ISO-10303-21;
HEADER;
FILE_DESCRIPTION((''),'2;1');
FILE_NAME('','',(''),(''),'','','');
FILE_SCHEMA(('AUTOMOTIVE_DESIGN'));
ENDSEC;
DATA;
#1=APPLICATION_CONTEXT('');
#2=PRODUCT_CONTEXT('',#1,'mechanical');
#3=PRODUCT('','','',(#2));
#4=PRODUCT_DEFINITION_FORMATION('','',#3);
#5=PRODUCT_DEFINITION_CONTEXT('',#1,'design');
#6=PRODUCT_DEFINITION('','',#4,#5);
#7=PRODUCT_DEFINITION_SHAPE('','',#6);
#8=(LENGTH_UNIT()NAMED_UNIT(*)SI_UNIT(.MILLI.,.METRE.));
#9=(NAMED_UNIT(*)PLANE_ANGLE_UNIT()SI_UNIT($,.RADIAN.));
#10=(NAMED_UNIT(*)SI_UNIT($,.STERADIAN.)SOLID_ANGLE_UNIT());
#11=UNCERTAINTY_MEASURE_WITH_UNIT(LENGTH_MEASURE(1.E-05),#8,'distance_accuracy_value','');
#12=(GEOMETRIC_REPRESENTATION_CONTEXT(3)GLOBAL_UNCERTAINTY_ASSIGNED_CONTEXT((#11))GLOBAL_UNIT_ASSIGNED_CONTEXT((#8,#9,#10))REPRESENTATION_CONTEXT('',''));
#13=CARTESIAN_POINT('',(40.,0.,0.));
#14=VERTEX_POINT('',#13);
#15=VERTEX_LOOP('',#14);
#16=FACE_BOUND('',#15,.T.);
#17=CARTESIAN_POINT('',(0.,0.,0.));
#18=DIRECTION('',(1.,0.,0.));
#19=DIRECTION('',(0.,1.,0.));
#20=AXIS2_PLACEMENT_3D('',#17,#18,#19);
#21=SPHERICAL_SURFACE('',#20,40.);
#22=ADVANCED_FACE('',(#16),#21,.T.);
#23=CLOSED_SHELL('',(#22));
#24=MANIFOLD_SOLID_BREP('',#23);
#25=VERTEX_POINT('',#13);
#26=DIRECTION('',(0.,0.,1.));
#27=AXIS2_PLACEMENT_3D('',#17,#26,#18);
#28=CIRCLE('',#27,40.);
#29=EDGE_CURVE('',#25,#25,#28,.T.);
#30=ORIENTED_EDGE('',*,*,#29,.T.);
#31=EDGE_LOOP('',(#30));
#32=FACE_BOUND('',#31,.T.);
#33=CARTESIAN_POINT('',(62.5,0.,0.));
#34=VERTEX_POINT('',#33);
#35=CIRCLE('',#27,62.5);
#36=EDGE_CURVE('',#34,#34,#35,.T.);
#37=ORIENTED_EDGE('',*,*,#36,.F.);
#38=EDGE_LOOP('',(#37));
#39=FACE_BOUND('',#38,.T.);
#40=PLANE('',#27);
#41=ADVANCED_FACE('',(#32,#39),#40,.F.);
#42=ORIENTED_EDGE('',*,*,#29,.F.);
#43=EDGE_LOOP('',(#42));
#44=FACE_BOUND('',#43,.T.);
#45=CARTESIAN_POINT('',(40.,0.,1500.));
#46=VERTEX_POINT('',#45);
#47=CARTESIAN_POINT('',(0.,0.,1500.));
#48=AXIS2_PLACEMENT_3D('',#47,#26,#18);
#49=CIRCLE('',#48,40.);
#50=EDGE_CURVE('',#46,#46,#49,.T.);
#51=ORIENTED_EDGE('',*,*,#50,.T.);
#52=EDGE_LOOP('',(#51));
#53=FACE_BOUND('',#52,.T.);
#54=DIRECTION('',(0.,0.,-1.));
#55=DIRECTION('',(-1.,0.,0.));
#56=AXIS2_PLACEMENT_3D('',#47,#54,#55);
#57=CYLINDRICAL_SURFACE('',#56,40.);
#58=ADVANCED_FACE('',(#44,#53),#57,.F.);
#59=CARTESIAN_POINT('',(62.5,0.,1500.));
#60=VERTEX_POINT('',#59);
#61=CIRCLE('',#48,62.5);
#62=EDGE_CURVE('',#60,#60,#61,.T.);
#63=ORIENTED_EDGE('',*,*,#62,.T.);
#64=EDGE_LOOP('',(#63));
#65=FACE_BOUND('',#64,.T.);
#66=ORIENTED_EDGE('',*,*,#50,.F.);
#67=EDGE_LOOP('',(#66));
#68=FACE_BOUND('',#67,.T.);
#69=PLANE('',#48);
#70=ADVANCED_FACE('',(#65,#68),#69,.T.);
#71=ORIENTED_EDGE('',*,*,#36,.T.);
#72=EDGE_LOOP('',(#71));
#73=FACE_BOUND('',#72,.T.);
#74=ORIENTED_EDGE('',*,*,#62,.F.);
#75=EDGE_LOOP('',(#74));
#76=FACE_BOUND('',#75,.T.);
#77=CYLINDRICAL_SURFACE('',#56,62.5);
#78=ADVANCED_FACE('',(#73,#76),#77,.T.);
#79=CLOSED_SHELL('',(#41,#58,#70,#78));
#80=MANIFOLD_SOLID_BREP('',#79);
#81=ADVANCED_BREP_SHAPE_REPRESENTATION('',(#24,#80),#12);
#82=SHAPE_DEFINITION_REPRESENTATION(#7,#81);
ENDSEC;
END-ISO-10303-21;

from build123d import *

# Parameters (mm, degrees)
SKETCH5_R           = 62.5
SKETCH5_R_2         = 40
BOSS_EXTRUDE3_DEPTH = 1500


with BuildPart() as part:
    # Sketch5 → Boss-Extrude3 (new body)
    with BuildSketch(Plane.XY):
        Circle(SKETCH5_R)
        Circle(SKETCH5_R_2, mode=Mode.SUBTRACT)
    extrude(amount=BOSS_EXTRUDE3_DEPTH)


with BuildPart() as body_2:
    # Sketch7 → Revolve1 (revolve)
    with BuildSketch(Plane(origin=(0, 0, 0), x_dir=(-1, 0, 0), z_dir=(0, 0, -1))):
        with BuildLine():
            Line((-40, 0), (40, 0))
            ThreePointArc((40, 0), (0, 40), (-40, 0))
        make_face()
    revolve(axis=Axis((40, 0, 0), (-1, 0, 0)))


solid = Compound([part.part, body_2.part])
